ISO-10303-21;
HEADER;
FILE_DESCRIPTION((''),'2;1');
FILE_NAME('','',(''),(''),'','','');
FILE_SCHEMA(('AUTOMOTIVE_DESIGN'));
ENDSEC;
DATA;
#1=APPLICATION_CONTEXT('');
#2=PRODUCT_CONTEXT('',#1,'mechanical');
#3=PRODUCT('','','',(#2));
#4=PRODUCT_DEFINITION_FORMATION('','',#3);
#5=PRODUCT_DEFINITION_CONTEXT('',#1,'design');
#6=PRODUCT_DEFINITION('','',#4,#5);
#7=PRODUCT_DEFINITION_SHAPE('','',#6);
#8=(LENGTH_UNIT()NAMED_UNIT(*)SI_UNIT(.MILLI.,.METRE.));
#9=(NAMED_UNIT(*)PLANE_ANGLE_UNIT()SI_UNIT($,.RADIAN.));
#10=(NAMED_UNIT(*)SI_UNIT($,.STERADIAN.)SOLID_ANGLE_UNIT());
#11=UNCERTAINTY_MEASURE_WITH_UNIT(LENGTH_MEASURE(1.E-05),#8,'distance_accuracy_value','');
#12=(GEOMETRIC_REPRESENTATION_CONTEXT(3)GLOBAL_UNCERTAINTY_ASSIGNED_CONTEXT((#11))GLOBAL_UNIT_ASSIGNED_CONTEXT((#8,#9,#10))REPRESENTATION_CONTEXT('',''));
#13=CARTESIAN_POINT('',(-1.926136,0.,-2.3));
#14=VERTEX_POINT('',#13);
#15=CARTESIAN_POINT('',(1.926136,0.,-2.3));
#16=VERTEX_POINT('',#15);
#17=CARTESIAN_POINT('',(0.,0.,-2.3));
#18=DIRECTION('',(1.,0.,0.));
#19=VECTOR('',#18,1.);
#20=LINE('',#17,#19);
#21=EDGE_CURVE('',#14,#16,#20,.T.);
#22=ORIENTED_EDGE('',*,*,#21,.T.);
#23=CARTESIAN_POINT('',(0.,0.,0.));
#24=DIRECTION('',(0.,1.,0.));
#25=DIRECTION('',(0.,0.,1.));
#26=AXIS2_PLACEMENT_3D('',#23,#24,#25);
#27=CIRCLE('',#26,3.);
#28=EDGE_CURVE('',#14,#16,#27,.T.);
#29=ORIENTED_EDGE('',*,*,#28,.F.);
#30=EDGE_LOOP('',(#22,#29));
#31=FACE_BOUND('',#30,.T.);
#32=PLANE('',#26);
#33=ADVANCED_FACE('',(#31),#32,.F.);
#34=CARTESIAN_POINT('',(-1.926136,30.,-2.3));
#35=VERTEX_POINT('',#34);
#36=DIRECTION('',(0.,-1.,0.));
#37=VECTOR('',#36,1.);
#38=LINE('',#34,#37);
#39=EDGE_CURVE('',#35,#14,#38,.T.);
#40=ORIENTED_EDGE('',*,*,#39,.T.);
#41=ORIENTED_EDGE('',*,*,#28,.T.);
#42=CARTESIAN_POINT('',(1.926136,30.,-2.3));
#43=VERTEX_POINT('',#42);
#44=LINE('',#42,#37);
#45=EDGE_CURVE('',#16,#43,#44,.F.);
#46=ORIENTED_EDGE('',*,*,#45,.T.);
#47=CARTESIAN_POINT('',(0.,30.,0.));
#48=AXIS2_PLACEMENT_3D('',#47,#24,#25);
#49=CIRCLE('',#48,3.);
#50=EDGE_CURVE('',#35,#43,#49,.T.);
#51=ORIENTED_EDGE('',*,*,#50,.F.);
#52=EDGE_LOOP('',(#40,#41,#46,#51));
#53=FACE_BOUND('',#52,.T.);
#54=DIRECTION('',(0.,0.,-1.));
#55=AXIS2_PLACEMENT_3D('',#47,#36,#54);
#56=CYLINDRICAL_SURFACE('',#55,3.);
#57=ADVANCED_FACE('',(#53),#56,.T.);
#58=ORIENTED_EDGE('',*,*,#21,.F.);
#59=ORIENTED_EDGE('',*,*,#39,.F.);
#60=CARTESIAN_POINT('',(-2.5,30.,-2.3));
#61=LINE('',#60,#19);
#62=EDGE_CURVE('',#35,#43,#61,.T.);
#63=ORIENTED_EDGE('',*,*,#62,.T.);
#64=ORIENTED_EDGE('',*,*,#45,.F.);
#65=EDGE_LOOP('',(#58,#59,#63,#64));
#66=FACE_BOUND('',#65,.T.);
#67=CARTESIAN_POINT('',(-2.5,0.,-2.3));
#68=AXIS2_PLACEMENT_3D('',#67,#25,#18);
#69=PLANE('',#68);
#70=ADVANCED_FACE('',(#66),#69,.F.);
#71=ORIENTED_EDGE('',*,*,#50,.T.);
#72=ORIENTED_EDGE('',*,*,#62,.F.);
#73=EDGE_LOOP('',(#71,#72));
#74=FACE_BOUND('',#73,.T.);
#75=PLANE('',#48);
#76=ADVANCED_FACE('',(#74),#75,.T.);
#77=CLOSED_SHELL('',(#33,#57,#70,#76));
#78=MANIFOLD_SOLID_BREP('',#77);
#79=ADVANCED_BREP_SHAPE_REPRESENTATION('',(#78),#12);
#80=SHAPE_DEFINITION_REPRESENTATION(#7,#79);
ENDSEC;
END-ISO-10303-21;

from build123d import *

# Parameters (mm, degrees)
SKETCH_1_R          = 3
EXTRUDE_1_DEPTH     = 30
SKETCH_2_W          = 5
SKETCH_2_H          = 2
CUT_EXTRUDE_1_DEPTH = 31.298514815


with BuildPart() as part:
    # Эскиз1 → Бобышка-Вытянуть1 (new body)
    with BuildSketch(Plane(origin=(0, 0, 0), x_dir=(1, 0, 0), z_dir=(0, 1, 0))):
        with Locations(Location((0, 0, 0), (0, 0, 270))):
            Circle(SKETCH_1_R)
    extrude(amount=EXTRUDE_1_DEPTH)

    # Эскиз2 → Вырез-Вытянуть1 (cut, through all)
    with BuildSketch(Plane(origin=(0, 30, 0), x_dir=(1, 0, 0), z_dir=(0, 1, 0))):
        with Locations((0, 3.3)):
            Rectangle(SKETCH_2_W, SKETCH_2_H)
    extrude(amount=-CUT_EXTRUDE_1_DEPTH, mode=Mode.SUBTRACT)


solid = part.part
